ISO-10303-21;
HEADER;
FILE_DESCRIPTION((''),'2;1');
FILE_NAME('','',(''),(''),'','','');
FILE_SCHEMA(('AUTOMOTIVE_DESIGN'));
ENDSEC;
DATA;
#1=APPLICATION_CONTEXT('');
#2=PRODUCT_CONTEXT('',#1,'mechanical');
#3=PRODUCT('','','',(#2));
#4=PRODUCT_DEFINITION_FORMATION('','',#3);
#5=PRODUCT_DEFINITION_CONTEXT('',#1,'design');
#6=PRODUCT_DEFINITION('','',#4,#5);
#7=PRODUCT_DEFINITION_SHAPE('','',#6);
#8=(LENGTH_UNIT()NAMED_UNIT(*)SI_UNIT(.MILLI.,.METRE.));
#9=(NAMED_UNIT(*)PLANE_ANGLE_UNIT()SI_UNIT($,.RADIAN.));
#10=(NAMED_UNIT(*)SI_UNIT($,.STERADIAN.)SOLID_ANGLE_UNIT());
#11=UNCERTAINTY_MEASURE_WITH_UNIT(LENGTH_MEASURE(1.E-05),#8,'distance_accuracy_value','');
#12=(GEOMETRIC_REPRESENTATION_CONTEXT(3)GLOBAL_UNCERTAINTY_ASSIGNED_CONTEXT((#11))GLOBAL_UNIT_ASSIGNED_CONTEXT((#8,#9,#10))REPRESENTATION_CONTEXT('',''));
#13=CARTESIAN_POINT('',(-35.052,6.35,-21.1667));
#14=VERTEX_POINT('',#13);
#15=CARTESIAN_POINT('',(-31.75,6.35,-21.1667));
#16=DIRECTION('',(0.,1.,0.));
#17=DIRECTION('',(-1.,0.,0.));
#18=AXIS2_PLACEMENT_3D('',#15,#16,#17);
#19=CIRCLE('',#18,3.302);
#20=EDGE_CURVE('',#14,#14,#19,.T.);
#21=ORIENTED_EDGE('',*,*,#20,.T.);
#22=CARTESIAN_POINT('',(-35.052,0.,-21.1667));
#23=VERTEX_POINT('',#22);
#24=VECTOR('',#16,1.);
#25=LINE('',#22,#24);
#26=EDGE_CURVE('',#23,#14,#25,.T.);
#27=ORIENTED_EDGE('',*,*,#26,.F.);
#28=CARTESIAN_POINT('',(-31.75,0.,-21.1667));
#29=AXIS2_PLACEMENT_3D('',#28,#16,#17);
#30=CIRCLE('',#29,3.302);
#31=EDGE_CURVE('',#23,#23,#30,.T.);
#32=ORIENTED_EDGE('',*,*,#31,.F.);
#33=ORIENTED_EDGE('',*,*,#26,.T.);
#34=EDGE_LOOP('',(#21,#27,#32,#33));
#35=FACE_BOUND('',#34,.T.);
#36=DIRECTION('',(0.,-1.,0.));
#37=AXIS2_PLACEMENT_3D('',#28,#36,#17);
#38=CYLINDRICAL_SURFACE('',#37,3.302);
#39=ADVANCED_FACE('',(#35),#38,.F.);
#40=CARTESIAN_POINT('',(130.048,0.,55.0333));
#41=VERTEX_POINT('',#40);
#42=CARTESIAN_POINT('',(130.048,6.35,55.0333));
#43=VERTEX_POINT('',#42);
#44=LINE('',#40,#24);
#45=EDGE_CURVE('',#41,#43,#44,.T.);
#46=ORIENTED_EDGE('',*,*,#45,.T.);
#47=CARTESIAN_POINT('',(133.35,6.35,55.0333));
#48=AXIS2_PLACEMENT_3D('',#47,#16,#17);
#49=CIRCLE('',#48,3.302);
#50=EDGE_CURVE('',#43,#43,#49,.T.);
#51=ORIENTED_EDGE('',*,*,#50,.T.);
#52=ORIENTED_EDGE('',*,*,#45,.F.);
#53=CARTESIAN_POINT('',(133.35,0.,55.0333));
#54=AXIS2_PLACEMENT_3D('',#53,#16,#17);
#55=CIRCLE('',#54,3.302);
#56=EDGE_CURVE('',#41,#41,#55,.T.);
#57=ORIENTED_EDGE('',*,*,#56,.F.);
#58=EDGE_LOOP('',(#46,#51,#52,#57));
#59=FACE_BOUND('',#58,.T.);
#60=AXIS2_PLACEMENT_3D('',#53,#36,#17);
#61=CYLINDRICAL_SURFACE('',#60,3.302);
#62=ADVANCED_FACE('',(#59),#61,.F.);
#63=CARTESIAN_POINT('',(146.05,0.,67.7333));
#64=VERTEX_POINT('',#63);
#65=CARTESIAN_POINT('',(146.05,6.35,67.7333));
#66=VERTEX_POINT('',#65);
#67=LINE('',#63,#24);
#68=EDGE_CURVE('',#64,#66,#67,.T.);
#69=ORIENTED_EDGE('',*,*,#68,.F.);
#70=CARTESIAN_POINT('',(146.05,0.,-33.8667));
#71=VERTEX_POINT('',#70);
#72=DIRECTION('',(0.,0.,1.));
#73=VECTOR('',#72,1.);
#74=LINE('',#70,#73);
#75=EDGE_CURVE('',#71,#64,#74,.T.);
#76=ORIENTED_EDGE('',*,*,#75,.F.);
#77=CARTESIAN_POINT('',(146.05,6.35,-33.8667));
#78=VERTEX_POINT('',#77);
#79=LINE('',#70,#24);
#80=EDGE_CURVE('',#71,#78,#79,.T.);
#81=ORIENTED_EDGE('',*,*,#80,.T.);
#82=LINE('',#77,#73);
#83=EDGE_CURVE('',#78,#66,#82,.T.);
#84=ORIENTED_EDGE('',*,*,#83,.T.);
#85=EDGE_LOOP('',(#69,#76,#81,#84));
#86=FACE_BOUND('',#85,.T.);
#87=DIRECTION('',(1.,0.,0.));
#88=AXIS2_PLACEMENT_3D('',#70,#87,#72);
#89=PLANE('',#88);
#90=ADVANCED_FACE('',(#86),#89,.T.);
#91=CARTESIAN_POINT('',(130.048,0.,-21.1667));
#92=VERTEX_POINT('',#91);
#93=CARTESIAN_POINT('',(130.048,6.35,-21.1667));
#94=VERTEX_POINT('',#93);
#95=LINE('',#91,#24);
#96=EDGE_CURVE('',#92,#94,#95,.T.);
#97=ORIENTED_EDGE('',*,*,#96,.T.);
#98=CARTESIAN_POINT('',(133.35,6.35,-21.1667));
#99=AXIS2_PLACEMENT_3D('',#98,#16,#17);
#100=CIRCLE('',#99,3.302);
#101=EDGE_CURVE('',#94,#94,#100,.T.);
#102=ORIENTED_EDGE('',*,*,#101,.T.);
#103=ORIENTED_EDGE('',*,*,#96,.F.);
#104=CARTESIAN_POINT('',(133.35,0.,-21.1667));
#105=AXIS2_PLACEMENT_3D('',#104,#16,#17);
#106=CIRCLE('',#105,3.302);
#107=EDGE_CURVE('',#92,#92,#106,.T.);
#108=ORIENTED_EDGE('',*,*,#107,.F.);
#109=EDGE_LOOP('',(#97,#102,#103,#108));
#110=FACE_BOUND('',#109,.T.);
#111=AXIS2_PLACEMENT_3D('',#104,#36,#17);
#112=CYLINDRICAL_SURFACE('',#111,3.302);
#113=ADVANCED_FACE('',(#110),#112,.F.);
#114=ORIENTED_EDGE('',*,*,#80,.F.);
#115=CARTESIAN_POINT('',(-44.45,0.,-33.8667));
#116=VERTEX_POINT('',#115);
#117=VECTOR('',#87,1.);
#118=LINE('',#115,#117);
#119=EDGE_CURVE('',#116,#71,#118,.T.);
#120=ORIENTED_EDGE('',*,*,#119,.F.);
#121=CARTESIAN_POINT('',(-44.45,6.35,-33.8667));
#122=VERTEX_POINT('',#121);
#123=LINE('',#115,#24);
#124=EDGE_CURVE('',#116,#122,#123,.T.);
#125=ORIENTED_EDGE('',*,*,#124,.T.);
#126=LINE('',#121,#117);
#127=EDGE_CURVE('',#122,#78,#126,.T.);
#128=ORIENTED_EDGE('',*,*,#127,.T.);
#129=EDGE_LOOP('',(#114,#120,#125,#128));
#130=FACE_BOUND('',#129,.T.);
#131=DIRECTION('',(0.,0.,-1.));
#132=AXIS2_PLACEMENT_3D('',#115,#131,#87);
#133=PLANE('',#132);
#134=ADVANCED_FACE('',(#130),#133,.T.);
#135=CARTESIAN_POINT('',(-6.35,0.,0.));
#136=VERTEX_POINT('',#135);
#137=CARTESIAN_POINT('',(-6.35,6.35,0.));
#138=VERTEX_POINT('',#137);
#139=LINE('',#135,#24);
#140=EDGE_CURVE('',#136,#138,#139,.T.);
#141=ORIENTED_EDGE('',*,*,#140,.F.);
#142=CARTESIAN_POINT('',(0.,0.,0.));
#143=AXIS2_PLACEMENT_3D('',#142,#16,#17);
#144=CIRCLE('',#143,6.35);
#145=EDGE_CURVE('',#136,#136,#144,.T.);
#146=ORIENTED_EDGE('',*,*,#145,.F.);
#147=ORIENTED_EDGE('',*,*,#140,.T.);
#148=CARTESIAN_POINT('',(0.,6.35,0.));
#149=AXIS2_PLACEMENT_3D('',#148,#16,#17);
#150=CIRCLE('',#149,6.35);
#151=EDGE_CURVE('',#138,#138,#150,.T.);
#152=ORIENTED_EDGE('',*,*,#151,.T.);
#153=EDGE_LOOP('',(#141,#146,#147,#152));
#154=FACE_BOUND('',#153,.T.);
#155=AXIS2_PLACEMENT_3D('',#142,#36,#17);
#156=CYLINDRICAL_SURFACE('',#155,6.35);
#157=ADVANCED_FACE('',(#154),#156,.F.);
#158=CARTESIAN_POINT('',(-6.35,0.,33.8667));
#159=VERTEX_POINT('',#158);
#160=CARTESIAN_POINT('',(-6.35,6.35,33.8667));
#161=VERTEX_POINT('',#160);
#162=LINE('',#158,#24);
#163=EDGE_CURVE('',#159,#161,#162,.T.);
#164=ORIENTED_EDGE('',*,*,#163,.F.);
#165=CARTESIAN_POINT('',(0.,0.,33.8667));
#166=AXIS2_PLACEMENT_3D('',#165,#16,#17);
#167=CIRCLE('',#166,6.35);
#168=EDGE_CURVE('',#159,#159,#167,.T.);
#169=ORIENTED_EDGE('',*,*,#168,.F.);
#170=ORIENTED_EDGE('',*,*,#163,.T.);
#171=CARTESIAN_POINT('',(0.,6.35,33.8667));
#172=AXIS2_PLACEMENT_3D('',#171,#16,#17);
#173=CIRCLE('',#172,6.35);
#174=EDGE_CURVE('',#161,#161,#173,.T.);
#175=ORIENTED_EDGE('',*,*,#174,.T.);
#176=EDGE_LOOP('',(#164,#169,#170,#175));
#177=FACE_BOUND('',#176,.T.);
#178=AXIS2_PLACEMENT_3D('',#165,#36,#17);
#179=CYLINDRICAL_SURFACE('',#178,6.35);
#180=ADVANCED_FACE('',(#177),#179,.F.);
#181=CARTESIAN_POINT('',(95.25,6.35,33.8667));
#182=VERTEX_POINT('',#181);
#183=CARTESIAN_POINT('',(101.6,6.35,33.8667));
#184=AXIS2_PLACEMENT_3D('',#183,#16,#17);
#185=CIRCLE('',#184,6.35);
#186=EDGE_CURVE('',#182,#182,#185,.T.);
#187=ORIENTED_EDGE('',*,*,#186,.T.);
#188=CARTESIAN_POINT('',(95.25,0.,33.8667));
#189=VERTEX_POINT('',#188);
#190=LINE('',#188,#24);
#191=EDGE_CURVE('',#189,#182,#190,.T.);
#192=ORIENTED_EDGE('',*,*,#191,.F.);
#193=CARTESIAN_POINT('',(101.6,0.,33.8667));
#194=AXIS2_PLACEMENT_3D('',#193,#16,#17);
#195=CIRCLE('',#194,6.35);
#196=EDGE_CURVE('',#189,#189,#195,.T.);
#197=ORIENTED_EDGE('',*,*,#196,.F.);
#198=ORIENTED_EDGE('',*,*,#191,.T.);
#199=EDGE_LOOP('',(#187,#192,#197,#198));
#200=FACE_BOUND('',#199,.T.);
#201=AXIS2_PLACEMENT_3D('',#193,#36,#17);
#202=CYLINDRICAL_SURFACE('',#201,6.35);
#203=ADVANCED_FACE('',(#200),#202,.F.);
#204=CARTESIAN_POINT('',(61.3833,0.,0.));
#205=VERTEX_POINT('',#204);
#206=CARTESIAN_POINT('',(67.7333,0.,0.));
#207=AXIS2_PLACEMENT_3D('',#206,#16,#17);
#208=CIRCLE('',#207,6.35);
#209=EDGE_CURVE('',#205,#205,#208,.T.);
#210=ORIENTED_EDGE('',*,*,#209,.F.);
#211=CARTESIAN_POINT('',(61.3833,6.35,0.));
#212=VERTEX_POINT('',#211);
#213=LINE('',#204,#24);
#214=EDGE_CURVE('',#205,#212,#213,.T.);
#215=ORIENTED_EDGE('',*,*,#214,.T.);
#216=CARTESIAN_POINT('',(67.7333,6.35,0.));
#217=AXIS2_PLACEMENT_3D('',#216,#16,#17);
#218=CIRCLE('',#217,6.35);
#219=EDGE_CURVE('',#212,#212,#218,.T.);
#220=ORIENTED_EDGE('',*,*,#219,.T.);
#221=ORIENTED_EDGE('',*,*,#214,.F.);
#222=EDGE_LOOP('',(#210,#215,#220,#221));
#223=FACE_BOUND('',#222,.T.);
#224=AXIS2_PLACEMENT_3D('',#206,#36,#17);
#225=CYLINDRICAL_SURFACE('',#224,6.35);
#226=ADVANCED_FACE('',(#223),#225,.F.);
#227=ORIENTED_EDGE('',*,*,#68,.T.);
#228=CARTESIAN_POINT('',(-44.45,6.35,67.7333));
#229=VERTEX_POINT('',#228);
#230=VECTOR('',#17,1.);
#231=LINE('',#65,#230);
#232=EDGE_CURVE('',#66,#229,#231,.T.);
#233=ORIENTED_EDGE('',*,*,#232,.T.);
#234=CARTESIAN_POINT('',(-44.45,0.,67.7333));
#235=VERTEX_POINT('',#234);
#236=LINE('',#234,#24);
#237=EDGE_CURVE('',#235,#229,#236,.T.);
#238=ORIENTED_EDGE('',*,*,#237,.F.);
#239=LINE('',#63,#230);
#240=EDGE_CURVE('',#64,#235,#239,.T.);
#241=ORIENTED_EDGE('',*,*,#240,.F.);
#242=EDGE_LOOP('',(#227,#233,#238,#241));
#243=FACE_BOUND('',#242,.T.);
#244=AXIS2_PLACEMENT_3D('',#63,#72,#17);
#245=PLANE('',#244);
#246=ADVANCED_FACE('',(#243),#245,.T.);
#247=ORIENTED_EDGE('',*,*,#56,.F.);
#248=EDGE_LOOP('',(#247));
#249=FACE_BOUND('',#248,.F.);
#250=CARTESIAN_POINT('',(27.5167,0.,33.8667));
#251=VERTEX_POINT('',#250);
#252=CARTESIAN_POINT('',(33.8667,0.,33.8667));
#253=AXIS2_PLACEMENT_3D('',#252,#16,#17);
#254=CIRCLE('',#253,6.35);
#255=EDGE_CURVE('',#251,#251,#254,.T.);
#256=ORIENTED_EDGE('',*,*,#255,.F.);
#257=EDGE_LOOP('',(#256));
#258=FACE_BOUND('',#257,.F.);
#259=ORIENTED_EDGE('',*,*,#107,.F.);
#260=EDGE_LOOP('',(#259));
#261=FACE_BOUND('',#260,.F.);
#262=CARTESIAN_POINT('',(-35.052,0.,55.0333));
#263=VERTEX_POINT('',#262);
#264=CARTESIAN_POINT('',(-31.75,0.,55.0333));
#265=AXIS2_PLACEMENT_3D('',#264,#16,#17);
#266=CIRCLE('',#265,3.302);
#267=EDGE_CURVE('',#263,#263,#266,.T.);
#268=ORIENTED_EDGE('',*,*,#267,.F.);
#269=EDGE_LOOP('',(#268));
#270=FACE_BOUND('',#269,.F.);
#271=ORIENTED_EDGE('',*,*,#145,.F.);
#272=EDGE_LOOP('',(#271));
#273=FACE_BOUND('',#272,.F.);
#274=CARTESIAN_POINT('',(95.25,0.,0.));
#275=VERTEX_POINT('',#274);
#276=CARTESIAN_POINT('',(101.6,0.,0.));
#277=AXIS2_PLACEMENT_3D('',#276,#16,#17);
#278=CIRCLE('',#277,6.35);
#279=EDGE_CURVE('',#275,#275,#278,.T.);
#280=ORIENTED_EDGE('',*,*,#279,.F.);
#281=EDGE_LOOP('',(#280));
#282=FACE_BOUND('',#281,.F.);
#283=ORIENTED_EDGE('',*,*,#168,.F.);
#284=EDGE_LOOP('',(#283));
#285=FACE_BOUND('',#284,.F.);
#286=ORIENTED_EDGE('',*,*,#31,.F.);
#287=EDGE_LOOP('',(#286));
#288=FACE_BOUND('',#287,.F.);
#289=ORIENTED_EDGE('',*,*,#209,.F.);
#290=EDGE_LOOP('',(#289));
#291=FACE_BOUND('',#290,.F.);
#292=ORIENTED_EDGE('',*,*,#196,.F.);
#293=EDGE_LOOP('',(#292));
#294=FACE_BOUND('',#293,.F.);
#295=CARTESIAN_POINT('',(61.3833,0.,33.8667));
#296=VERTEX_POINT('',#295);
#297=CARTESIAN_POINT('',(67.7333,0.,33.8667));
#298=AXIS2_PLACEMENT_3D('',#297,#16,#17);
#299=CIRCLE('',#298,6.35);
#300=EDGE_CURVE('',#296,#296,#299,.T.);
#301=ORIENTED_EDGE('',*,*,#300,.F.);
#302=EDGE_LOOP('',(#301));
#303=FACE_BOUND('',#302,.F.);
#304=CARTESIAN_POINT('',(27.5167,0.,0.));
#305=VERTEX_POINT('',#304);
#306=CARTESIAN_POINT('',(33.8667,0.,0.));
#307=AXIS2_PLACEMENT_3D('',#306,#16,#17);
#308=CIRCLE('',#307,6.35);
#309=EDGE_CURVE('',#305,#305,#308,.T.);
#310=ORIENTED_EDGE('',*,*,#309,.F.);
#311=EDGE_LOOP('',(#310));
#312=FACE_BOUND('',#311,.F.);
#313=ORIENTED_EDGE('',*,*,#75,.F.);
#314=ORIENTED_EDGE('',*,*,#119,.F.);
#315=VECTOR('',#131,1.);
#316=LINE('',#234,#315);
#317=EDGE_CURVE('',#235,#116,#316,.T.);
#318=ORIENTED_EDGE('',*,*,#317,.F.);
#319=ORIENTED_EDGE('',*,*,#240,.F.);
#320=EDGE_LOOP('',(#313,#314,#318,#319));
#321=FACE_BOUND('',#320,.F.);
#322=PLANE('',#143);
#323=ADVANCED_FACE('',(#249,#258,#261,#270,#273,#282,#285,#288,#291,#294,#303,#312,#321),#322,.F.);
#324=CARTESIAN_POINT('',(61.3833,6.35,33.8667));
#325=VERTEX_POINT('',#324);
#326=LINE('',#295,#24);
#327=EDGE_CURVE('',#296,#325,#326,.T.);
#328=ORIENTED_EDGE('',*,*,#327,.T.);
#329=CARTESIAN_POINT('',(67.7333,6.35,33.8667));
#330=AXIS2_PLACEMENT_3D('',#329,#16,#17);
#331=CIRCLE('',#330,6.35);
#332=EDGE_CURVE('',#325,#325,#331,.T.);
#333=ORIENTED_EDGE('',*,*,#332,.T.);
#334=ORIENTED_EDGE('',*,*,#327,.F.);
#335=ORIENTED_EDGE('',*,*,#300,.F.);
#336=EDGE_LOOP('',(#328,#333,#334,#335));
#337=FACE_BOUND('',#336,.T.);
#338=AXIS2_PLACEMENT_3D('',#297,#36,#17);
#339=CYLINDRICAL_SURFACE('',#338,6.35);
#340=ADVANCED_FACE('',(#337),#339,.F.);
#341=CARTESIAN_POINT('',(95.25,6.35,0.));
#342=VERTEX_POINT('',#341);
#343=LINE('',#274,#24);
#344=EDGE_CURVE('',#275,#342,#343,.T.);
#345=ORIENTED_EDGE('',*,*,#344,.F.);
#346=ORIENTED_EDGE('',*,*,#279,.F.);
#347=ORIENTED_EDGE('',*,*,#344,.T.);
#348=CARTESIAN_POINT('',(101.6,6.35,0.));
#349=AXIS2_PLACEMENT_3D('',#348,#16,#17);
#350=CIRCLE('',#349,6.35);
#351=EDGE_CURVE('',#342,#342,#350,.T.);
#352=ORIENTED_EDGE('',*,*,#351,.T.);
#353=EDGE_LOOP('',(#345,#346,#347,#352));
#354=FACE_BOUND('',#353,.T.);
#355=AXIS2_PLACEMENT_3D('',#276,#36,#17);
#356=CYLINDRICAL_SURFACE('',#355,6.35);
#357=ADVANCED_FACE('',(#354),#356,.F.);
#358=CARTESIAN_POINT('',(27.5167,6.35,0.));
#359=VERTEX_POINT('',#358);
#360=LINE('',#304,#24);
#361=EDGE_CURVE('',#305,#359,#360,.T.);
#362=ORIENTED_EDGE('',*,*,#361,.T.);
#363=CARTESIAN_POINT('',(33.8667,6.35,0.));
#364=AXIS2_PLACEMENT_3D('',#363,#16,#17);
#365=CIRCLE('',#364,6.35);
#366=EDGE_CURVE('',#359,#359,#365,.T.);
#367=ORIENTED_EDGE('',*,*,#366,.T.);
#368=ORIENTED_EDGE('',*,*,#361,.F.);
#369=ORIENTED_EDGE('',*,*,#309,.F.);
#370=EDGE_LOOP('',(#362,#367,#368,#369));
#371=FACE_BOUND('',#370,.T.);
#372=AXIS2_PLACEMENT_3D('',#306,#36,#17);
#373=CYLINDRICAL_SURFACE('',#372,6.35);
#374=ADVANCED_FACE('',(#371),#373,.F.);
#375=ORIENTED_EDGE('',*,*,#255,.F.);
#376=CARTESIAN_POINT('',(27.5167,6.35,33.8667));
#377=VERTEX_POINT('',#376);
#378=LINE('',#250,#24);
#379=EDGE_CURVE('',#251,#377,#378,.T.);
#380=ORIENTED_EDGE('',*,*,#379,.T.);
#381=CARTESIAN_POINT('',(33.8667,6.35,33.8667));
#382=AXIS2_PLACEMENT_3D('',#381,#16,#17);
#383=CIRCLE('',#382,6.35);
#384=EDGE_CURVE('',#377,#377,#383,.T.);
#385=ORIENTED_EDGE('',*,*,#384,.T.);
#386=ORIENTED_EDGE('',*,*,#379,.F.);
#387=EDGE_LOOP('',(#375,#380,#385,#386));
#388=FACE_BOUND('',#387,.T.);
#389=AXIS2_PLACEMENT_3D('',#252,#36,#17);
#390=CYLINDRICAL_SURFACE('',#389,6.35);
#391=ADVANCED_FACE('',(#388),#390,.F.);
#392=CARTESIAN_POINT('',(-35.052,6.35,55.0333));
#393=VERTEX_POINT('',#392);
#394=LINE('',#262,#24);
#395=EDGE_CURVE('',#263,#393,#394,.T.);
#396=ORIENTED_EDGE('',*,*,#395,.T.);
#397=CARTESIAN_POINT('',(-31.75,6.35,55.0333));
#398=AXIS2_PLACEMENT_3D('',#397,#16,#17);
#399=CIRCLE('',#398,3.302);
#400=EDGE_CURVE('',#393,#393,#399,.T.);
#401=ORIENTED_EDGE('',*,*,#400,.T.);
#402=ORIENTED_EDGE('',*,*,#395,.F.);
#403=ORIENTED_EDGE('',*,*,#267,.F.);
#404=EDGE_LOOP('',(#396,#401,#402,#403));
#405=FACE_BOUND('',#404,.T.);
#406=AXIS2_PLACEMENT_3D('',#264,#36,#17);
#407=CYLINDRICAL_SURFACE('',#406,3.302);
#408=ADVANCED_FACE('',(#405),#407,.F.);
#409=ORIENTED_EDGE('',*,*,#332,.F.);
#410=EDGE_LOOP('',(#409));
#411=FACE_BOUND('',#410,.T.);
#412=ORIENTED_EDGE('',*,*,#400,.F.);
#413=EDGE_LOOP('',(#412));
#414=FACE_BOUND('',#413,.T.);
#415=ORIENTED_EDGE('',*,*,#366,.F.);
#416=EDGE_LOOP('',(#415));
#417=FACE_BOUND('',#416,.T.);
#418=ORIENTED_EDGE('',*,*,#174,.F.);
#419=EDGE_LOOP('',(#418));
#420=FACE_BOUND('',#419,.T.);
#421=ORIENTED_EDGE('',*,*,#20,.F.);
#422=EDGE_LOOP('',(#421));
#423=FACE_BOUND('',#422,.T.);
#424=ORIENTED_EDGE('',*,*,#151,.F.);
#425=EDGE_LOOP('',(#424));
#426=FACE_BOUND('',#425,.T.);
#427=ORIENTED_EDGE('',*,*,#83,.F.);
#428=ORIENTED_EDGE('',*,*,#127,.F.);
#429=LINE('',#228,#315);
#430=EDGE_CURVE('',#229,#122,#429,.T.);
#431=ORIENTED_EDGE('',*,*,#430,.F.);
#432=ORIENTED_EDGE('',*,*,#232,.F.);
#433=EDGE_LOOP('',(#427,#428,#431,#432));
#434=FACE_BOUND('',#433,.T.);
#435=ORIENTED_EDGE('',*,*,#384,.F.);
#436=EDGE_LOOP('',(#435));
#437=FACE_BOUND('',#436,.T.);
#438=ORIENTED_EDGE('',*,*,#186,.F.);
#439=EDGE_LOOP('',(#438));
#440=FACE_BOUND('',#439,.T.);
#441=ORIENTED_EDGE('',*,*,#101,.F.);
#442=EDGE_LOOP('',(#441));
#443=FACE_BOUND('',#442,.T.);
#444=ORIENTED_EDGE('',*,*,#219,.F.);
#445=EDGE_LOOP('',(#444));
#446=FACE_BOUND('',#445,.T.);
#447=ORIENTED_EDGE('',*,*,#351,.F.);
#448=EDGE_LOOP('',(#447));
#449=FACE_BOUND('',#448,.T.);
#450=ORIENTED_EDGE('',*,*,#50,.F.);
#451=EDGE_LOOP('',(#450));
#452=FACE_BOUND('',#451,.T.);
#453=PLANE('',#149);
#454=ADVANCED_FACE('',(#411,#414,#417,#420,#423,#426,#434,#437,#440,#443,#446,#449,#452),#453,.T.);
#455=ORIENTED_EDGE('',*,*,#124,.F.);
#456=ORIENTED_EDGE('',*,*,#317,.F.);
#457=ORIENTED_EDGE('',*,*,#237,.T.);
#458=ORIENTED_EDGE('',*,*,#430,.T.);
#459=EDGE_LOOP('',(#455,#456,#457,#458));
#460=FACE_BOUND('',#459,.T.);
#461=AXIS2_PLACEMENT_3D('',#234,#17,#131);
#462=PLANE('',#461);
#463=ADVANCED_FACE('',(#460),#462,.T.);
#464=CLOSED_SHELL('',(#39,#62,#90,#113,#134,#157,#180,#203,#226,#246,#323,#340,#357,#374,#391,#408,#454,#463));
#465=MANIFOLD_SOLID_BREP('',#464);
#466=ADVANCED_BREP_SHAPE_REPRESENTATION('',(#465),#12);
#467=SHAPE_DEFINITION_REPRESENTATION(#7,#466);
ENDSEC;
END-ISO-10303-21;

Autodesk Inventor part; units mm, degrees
ref_plane "YZ Plane" through (0, 0, 0) normal (1, 0, 0) x (0, 1, 0)
ref_plane "XZ Plane" through (0, 0, 0) normal (0, 1, 0) x (-1, 0, 0)
ref_plane "XY Plane" through (0, 0, 0) normal (0, 0, 1) x (1, 0, 0)
sketch "Sketch1" plane through (0, 0, 0) normal (0, 1, 0) x (-1, 0, 0)
  circle A0 centre (0, 0) radius 6.35
  line L0 (0, 0) -> (0, 25.4) construction
  line L1 (0, 0) -> (-101.6, 0) construction
  line L2 (44.45, -33.8667) -> (-146.05, -33.8667)
  line L3 (-146.05, -33.8667) -> (-146.05, 67.7333)
  line L4 (-146.05, 67.7333) -> (44.45, 67.7333)
  line L5 (44.45, 67.7333) -> (44.45, -33.8667)
  circle A1 centre (31.75, -21.1667) radius 3.302
  circle A2 centre (-133.35, -21.1667) radius 3.302
  circle A3 centre (-133.35, 55.0333) radius 3.302
  circle A4 centre (31.75, 55.0333) radius 3.302
  circle A5 centre (-33.8667, 0) radius 6.35
  circle A6 centre (-67.7333, 0) radius 6.35
  circle A7 centre (-101.6, 0) radius 6.35
  circle A8 centre (0, 33.8667) radius 6.35
  circle A9 centre (-33.8667, 33.8667) radius 6.35
  circle A10 centre (-67.7333, 33.8667) radius 6.35
  circle A11 centre (-101.6, 33.8667) radius 6.35
  dimension "d0" = 12.7
  dimension "d15" = 6.604
  dimension "d16" = 12.7
  dimension "d17" = 12.7
  dimension "d18" = 6.604
  dimension "d19" = 12.7
  dimension "d20" = 6.604
  dimension "d21" = 12.7
  dimension "d22" = 6.604
  dimension "d25" = 101.6
  dimension "d26" = 33.8667
  dimension "d27" = 12.7
  dimension "d28" = 12.7
  dimension "d29" = 12.7
  dimension "d30" = 44.45
  dimension "d31" = 190.5
  dimension "d34" = 33.8667
  dimension "d37" = 33.8667
extrude "Extrusion2" add sketch "Sketch1" along normal blind 6.35
equation "\"d26\" = 0.333333 * d25"
equation "\"d37\" = 0.333333 * d25"
properties part number "SequenceMachine_VialPlate"
